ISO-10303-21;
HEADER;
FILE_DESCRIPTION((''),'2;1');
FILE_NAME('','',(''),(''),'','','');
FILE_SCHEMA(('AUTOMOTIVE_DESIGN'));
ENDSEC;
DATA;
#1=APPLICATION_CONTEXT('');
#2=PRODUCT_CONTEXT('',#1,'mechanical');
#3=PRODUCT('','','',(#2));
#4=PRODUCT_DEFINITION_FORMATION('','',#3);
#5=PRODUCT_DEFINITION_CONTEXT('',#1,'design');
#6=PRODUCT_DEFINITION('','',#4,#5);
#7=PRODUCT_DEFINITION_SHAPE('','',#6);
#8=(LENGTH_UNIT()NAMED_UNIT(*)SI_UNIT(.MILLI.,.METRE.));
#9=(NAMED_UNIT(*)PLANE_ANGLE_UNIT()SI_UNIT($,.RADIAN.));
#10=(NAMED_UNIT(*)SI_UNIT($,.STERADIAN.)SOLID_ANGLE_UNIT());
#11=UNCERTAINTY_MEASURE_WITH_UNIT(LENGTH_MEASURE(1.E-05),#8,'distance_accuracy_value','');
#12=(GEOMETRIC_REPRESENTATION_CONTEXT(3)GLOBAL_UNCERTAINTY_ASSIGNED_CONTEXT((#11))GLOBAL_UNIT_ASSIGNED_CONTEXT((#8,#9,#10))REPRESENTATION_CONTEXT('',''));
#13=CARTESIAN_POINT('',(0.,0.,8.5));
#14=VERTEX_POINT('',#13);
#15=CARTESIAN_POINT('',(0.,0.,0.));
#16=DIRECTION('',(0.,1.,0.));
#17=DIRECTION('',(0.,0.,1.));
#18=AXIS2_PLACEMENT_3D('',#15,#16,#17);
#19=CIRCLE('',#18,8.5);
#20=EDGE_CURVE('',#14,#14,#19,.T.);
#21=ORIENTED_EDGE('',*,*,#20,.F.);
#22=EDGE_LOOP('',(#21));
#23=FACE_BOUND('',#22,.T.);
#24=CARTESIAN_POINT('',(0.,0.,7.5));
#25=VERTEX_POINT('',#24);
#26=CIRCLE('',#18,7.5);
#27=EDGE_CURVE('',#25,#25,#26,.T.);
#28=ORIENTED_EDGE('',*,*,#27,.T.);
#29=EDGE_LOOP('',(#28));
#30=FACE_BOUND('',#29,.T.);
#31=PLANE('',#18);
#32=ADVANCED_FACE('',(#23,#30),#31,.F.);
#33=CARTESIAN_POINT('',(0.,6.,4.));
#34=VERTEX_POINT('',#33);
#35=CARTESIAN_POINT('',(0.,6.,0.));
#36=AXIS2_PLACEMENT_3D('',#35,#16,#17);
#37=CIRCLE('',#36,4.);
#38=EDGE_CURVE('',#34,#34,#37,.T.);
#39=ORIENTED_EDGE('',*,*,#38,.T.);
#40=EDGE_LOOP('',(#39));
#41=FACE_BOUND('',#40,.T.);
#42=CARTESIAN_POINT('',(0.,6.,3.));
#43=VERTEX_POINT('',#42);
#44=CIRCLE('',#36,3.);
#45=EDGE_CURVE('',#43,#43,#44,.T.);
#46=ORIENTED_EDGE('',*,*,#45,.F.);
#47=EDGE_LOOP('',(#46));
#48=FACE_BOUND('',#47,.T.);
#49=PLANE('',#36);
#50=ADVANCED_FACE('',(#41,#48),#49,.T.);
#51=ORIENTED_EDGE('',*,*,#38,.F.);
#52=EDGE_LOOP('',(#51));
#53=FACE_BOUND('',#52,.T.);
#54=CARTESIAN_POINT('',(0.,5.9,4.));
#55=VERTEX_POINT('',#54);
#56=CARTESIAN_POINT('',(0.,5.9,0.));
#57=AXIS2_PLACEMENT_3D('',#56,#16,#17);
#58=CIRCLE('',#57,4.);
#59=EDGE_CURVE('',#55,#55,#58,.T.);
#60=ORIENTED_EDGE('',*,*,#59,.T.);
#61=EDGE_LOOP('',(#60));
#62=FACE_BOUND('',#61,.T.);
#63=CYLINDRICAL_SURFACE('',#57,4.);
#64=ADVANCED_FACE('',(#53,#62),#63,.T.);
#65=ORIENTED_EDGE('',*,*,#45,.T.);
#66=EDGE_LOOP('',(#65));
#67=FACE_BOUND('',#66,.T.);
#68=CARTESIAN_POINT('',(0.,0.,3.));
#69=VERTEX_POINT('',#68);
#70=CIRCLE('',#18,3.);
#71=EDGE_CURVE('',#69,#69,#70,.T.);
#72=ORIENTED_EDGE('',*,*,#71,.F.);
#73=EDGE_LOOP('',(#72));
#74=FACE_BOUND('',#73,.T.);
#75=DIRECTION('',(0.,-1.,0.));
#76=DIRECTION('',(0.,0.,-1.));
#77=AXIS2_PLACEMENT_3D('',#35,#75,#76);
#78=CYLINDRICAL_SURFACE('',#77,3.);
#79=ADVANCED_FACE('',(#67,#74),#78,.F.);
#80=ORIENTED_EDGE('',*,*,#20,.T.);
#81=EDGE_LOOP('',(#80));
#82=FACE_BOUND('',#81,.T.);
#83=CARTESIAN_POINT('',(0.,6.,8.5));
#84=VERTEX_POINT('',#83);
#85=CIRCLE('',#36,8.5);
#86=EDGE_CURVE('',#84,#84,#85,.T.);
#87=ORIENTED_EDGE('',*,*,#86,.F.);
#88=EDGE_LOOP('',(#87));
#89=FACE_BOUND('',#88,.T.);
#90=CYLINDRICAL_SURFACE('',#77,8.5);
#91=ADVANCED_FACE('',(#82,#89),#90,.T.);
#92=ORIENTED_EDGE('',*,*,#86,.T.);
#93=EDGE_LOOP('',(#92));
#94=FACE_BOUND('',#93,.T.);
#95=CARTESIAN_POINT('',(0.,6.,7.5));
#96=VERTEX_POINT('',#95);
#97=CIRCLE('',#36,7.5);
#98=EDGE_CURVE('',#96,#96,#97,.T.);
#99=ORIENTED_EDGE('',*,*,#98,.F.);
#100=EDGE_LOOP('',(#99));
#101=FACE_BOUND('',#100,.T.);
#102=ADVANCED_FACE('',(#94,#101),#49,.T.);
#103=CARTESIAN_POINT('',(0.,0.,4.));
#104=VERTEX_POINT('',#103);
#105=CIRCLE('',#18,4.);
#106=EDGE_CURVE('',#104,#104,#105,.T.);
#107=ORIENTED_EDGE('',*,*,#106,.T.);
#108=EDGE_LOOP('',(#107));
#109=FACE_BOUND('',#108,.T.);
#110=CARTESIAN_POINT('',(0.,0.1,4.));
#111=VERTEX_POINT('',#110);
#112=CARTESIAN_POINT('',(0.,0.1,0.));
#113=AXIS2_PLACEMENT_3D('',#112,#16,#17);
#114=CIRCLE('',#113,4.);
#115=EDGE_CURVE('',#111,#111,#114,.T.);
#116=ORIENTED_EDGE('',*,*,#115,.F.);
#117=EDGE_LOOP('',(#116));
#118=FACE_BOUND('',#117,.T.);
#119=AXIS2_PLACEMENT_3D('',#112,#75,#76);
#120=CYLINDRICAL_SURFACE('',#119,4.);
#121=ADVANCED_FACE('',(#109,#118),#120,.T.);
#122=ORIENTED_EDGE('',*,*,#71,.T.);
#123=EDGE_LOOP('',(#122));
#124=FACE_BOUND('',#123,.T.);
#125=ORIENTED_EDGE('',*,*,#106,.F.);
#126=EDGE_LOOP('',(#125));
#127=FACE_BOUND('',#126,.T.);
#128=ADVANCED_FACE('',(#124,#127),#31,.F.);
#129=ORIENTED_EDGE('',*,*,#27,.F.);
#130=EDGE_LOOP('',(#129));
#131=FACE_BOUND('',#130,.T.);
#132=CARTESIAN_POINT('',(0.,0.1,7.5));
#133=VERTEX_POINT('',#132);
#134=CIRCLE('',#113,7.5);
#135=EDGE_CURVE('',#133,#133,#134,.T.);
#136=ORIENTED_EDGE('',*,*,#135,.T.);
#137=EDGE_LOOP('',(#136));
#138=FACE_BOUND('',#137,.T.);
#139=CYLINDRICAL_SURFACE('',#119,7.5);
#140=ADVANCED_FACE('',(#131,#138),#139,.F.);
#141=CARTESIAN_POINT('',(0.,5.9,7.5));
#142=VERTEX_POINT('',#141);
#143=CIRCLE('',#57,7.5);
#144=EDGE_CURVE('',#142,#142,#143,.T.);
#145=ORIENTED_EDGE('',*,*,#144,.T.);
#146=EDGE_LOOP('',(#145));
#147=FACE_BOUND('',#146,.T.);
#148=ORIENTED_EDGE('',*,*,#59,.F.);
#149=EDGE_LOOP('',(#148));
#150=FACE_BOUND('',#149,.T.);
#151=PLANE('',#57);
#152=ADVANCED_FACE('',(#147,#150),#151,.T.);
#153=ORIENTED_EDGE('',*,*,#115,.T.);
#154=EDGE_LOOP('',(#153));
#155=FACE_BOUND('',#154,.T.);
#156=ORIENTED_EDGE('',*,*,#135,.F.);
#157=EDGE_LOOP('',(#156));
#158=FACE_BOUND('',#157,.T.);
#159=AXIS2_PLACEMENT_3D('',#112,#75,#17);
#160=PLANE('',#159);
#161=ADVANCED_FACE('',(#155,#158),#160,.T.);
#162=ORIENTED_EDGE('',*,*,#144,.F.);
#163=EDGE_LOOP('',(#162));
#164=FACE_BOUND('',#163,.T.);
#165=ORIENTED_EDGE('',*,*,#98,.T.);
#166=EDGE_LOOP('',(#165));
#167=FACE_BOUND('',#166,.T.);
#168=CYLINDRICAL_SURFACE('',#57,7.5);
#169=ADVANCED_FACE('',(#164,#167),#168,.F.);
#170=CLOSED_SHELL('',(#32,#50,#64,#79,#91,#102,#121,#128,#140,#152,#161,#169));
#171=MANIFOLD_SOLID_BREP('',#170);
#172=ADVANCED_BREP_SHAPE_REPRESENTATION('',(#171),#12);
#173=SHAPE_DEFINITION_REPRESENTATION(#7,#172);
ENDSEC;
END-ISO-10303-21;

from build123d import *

# Parameters (mm, degrees)
SKETCH3_R           = 8.5
SKETCH3_R_2         = 3
BOSS_EXTRUDE2_DEPTH = 6
SKETCH4_R           = 7.5
SKETCH4_R_2         = 4
CUT_EXTRUDE2_DEPTH  = 0.1


with BuildPart() as part:
    # Sketch3 → Boss-Extrude2 (new body)
    with BuildSketch(Plane(origin=(0, 0, 0), x_dir=(1, 0, 0), z_dir=(0, 1, 0))):
        with Locations(Location((0, 0, 0), (0, 0, 270))):
            Circle(SKETCH3_R)
        with Locations(Location((0, 0, 0), (0, 0, 270))):
            Circle(SKETCH3_R_2, mode=Mode.SUBTRACT)
    extrude(amount=BOSS_EXTRUDE2_DEPTH)

    # Sketch4 → Cut-Extrude2 (cut)
    with BuildSketch(Plane(origin=(0, 6, 0), x_dir=(1, 0, 0), z_dir=(0, 1, 0))):
        with Locations(Location((0, 0, 0), (0, 0, 270))):
            Circle(SKETCH4_R)
        with Locations(Location((0, 0, 0), (0, 0, 270))):
            Circle(SKETCH4_R_2, mode=Mode.SUBTRACT)
    cut_extrude2 = extrude(amount=-CUT_EXTRUDE2_DEPTH, mode=Mode.SUBTRACT)

    # Mirror2: Cut-Extrude2 across plane
    add(cut_extrude2.mirror(Plane.ZX.offset(3)), mode=Mode.SUBTRACT)


solid = part.part
